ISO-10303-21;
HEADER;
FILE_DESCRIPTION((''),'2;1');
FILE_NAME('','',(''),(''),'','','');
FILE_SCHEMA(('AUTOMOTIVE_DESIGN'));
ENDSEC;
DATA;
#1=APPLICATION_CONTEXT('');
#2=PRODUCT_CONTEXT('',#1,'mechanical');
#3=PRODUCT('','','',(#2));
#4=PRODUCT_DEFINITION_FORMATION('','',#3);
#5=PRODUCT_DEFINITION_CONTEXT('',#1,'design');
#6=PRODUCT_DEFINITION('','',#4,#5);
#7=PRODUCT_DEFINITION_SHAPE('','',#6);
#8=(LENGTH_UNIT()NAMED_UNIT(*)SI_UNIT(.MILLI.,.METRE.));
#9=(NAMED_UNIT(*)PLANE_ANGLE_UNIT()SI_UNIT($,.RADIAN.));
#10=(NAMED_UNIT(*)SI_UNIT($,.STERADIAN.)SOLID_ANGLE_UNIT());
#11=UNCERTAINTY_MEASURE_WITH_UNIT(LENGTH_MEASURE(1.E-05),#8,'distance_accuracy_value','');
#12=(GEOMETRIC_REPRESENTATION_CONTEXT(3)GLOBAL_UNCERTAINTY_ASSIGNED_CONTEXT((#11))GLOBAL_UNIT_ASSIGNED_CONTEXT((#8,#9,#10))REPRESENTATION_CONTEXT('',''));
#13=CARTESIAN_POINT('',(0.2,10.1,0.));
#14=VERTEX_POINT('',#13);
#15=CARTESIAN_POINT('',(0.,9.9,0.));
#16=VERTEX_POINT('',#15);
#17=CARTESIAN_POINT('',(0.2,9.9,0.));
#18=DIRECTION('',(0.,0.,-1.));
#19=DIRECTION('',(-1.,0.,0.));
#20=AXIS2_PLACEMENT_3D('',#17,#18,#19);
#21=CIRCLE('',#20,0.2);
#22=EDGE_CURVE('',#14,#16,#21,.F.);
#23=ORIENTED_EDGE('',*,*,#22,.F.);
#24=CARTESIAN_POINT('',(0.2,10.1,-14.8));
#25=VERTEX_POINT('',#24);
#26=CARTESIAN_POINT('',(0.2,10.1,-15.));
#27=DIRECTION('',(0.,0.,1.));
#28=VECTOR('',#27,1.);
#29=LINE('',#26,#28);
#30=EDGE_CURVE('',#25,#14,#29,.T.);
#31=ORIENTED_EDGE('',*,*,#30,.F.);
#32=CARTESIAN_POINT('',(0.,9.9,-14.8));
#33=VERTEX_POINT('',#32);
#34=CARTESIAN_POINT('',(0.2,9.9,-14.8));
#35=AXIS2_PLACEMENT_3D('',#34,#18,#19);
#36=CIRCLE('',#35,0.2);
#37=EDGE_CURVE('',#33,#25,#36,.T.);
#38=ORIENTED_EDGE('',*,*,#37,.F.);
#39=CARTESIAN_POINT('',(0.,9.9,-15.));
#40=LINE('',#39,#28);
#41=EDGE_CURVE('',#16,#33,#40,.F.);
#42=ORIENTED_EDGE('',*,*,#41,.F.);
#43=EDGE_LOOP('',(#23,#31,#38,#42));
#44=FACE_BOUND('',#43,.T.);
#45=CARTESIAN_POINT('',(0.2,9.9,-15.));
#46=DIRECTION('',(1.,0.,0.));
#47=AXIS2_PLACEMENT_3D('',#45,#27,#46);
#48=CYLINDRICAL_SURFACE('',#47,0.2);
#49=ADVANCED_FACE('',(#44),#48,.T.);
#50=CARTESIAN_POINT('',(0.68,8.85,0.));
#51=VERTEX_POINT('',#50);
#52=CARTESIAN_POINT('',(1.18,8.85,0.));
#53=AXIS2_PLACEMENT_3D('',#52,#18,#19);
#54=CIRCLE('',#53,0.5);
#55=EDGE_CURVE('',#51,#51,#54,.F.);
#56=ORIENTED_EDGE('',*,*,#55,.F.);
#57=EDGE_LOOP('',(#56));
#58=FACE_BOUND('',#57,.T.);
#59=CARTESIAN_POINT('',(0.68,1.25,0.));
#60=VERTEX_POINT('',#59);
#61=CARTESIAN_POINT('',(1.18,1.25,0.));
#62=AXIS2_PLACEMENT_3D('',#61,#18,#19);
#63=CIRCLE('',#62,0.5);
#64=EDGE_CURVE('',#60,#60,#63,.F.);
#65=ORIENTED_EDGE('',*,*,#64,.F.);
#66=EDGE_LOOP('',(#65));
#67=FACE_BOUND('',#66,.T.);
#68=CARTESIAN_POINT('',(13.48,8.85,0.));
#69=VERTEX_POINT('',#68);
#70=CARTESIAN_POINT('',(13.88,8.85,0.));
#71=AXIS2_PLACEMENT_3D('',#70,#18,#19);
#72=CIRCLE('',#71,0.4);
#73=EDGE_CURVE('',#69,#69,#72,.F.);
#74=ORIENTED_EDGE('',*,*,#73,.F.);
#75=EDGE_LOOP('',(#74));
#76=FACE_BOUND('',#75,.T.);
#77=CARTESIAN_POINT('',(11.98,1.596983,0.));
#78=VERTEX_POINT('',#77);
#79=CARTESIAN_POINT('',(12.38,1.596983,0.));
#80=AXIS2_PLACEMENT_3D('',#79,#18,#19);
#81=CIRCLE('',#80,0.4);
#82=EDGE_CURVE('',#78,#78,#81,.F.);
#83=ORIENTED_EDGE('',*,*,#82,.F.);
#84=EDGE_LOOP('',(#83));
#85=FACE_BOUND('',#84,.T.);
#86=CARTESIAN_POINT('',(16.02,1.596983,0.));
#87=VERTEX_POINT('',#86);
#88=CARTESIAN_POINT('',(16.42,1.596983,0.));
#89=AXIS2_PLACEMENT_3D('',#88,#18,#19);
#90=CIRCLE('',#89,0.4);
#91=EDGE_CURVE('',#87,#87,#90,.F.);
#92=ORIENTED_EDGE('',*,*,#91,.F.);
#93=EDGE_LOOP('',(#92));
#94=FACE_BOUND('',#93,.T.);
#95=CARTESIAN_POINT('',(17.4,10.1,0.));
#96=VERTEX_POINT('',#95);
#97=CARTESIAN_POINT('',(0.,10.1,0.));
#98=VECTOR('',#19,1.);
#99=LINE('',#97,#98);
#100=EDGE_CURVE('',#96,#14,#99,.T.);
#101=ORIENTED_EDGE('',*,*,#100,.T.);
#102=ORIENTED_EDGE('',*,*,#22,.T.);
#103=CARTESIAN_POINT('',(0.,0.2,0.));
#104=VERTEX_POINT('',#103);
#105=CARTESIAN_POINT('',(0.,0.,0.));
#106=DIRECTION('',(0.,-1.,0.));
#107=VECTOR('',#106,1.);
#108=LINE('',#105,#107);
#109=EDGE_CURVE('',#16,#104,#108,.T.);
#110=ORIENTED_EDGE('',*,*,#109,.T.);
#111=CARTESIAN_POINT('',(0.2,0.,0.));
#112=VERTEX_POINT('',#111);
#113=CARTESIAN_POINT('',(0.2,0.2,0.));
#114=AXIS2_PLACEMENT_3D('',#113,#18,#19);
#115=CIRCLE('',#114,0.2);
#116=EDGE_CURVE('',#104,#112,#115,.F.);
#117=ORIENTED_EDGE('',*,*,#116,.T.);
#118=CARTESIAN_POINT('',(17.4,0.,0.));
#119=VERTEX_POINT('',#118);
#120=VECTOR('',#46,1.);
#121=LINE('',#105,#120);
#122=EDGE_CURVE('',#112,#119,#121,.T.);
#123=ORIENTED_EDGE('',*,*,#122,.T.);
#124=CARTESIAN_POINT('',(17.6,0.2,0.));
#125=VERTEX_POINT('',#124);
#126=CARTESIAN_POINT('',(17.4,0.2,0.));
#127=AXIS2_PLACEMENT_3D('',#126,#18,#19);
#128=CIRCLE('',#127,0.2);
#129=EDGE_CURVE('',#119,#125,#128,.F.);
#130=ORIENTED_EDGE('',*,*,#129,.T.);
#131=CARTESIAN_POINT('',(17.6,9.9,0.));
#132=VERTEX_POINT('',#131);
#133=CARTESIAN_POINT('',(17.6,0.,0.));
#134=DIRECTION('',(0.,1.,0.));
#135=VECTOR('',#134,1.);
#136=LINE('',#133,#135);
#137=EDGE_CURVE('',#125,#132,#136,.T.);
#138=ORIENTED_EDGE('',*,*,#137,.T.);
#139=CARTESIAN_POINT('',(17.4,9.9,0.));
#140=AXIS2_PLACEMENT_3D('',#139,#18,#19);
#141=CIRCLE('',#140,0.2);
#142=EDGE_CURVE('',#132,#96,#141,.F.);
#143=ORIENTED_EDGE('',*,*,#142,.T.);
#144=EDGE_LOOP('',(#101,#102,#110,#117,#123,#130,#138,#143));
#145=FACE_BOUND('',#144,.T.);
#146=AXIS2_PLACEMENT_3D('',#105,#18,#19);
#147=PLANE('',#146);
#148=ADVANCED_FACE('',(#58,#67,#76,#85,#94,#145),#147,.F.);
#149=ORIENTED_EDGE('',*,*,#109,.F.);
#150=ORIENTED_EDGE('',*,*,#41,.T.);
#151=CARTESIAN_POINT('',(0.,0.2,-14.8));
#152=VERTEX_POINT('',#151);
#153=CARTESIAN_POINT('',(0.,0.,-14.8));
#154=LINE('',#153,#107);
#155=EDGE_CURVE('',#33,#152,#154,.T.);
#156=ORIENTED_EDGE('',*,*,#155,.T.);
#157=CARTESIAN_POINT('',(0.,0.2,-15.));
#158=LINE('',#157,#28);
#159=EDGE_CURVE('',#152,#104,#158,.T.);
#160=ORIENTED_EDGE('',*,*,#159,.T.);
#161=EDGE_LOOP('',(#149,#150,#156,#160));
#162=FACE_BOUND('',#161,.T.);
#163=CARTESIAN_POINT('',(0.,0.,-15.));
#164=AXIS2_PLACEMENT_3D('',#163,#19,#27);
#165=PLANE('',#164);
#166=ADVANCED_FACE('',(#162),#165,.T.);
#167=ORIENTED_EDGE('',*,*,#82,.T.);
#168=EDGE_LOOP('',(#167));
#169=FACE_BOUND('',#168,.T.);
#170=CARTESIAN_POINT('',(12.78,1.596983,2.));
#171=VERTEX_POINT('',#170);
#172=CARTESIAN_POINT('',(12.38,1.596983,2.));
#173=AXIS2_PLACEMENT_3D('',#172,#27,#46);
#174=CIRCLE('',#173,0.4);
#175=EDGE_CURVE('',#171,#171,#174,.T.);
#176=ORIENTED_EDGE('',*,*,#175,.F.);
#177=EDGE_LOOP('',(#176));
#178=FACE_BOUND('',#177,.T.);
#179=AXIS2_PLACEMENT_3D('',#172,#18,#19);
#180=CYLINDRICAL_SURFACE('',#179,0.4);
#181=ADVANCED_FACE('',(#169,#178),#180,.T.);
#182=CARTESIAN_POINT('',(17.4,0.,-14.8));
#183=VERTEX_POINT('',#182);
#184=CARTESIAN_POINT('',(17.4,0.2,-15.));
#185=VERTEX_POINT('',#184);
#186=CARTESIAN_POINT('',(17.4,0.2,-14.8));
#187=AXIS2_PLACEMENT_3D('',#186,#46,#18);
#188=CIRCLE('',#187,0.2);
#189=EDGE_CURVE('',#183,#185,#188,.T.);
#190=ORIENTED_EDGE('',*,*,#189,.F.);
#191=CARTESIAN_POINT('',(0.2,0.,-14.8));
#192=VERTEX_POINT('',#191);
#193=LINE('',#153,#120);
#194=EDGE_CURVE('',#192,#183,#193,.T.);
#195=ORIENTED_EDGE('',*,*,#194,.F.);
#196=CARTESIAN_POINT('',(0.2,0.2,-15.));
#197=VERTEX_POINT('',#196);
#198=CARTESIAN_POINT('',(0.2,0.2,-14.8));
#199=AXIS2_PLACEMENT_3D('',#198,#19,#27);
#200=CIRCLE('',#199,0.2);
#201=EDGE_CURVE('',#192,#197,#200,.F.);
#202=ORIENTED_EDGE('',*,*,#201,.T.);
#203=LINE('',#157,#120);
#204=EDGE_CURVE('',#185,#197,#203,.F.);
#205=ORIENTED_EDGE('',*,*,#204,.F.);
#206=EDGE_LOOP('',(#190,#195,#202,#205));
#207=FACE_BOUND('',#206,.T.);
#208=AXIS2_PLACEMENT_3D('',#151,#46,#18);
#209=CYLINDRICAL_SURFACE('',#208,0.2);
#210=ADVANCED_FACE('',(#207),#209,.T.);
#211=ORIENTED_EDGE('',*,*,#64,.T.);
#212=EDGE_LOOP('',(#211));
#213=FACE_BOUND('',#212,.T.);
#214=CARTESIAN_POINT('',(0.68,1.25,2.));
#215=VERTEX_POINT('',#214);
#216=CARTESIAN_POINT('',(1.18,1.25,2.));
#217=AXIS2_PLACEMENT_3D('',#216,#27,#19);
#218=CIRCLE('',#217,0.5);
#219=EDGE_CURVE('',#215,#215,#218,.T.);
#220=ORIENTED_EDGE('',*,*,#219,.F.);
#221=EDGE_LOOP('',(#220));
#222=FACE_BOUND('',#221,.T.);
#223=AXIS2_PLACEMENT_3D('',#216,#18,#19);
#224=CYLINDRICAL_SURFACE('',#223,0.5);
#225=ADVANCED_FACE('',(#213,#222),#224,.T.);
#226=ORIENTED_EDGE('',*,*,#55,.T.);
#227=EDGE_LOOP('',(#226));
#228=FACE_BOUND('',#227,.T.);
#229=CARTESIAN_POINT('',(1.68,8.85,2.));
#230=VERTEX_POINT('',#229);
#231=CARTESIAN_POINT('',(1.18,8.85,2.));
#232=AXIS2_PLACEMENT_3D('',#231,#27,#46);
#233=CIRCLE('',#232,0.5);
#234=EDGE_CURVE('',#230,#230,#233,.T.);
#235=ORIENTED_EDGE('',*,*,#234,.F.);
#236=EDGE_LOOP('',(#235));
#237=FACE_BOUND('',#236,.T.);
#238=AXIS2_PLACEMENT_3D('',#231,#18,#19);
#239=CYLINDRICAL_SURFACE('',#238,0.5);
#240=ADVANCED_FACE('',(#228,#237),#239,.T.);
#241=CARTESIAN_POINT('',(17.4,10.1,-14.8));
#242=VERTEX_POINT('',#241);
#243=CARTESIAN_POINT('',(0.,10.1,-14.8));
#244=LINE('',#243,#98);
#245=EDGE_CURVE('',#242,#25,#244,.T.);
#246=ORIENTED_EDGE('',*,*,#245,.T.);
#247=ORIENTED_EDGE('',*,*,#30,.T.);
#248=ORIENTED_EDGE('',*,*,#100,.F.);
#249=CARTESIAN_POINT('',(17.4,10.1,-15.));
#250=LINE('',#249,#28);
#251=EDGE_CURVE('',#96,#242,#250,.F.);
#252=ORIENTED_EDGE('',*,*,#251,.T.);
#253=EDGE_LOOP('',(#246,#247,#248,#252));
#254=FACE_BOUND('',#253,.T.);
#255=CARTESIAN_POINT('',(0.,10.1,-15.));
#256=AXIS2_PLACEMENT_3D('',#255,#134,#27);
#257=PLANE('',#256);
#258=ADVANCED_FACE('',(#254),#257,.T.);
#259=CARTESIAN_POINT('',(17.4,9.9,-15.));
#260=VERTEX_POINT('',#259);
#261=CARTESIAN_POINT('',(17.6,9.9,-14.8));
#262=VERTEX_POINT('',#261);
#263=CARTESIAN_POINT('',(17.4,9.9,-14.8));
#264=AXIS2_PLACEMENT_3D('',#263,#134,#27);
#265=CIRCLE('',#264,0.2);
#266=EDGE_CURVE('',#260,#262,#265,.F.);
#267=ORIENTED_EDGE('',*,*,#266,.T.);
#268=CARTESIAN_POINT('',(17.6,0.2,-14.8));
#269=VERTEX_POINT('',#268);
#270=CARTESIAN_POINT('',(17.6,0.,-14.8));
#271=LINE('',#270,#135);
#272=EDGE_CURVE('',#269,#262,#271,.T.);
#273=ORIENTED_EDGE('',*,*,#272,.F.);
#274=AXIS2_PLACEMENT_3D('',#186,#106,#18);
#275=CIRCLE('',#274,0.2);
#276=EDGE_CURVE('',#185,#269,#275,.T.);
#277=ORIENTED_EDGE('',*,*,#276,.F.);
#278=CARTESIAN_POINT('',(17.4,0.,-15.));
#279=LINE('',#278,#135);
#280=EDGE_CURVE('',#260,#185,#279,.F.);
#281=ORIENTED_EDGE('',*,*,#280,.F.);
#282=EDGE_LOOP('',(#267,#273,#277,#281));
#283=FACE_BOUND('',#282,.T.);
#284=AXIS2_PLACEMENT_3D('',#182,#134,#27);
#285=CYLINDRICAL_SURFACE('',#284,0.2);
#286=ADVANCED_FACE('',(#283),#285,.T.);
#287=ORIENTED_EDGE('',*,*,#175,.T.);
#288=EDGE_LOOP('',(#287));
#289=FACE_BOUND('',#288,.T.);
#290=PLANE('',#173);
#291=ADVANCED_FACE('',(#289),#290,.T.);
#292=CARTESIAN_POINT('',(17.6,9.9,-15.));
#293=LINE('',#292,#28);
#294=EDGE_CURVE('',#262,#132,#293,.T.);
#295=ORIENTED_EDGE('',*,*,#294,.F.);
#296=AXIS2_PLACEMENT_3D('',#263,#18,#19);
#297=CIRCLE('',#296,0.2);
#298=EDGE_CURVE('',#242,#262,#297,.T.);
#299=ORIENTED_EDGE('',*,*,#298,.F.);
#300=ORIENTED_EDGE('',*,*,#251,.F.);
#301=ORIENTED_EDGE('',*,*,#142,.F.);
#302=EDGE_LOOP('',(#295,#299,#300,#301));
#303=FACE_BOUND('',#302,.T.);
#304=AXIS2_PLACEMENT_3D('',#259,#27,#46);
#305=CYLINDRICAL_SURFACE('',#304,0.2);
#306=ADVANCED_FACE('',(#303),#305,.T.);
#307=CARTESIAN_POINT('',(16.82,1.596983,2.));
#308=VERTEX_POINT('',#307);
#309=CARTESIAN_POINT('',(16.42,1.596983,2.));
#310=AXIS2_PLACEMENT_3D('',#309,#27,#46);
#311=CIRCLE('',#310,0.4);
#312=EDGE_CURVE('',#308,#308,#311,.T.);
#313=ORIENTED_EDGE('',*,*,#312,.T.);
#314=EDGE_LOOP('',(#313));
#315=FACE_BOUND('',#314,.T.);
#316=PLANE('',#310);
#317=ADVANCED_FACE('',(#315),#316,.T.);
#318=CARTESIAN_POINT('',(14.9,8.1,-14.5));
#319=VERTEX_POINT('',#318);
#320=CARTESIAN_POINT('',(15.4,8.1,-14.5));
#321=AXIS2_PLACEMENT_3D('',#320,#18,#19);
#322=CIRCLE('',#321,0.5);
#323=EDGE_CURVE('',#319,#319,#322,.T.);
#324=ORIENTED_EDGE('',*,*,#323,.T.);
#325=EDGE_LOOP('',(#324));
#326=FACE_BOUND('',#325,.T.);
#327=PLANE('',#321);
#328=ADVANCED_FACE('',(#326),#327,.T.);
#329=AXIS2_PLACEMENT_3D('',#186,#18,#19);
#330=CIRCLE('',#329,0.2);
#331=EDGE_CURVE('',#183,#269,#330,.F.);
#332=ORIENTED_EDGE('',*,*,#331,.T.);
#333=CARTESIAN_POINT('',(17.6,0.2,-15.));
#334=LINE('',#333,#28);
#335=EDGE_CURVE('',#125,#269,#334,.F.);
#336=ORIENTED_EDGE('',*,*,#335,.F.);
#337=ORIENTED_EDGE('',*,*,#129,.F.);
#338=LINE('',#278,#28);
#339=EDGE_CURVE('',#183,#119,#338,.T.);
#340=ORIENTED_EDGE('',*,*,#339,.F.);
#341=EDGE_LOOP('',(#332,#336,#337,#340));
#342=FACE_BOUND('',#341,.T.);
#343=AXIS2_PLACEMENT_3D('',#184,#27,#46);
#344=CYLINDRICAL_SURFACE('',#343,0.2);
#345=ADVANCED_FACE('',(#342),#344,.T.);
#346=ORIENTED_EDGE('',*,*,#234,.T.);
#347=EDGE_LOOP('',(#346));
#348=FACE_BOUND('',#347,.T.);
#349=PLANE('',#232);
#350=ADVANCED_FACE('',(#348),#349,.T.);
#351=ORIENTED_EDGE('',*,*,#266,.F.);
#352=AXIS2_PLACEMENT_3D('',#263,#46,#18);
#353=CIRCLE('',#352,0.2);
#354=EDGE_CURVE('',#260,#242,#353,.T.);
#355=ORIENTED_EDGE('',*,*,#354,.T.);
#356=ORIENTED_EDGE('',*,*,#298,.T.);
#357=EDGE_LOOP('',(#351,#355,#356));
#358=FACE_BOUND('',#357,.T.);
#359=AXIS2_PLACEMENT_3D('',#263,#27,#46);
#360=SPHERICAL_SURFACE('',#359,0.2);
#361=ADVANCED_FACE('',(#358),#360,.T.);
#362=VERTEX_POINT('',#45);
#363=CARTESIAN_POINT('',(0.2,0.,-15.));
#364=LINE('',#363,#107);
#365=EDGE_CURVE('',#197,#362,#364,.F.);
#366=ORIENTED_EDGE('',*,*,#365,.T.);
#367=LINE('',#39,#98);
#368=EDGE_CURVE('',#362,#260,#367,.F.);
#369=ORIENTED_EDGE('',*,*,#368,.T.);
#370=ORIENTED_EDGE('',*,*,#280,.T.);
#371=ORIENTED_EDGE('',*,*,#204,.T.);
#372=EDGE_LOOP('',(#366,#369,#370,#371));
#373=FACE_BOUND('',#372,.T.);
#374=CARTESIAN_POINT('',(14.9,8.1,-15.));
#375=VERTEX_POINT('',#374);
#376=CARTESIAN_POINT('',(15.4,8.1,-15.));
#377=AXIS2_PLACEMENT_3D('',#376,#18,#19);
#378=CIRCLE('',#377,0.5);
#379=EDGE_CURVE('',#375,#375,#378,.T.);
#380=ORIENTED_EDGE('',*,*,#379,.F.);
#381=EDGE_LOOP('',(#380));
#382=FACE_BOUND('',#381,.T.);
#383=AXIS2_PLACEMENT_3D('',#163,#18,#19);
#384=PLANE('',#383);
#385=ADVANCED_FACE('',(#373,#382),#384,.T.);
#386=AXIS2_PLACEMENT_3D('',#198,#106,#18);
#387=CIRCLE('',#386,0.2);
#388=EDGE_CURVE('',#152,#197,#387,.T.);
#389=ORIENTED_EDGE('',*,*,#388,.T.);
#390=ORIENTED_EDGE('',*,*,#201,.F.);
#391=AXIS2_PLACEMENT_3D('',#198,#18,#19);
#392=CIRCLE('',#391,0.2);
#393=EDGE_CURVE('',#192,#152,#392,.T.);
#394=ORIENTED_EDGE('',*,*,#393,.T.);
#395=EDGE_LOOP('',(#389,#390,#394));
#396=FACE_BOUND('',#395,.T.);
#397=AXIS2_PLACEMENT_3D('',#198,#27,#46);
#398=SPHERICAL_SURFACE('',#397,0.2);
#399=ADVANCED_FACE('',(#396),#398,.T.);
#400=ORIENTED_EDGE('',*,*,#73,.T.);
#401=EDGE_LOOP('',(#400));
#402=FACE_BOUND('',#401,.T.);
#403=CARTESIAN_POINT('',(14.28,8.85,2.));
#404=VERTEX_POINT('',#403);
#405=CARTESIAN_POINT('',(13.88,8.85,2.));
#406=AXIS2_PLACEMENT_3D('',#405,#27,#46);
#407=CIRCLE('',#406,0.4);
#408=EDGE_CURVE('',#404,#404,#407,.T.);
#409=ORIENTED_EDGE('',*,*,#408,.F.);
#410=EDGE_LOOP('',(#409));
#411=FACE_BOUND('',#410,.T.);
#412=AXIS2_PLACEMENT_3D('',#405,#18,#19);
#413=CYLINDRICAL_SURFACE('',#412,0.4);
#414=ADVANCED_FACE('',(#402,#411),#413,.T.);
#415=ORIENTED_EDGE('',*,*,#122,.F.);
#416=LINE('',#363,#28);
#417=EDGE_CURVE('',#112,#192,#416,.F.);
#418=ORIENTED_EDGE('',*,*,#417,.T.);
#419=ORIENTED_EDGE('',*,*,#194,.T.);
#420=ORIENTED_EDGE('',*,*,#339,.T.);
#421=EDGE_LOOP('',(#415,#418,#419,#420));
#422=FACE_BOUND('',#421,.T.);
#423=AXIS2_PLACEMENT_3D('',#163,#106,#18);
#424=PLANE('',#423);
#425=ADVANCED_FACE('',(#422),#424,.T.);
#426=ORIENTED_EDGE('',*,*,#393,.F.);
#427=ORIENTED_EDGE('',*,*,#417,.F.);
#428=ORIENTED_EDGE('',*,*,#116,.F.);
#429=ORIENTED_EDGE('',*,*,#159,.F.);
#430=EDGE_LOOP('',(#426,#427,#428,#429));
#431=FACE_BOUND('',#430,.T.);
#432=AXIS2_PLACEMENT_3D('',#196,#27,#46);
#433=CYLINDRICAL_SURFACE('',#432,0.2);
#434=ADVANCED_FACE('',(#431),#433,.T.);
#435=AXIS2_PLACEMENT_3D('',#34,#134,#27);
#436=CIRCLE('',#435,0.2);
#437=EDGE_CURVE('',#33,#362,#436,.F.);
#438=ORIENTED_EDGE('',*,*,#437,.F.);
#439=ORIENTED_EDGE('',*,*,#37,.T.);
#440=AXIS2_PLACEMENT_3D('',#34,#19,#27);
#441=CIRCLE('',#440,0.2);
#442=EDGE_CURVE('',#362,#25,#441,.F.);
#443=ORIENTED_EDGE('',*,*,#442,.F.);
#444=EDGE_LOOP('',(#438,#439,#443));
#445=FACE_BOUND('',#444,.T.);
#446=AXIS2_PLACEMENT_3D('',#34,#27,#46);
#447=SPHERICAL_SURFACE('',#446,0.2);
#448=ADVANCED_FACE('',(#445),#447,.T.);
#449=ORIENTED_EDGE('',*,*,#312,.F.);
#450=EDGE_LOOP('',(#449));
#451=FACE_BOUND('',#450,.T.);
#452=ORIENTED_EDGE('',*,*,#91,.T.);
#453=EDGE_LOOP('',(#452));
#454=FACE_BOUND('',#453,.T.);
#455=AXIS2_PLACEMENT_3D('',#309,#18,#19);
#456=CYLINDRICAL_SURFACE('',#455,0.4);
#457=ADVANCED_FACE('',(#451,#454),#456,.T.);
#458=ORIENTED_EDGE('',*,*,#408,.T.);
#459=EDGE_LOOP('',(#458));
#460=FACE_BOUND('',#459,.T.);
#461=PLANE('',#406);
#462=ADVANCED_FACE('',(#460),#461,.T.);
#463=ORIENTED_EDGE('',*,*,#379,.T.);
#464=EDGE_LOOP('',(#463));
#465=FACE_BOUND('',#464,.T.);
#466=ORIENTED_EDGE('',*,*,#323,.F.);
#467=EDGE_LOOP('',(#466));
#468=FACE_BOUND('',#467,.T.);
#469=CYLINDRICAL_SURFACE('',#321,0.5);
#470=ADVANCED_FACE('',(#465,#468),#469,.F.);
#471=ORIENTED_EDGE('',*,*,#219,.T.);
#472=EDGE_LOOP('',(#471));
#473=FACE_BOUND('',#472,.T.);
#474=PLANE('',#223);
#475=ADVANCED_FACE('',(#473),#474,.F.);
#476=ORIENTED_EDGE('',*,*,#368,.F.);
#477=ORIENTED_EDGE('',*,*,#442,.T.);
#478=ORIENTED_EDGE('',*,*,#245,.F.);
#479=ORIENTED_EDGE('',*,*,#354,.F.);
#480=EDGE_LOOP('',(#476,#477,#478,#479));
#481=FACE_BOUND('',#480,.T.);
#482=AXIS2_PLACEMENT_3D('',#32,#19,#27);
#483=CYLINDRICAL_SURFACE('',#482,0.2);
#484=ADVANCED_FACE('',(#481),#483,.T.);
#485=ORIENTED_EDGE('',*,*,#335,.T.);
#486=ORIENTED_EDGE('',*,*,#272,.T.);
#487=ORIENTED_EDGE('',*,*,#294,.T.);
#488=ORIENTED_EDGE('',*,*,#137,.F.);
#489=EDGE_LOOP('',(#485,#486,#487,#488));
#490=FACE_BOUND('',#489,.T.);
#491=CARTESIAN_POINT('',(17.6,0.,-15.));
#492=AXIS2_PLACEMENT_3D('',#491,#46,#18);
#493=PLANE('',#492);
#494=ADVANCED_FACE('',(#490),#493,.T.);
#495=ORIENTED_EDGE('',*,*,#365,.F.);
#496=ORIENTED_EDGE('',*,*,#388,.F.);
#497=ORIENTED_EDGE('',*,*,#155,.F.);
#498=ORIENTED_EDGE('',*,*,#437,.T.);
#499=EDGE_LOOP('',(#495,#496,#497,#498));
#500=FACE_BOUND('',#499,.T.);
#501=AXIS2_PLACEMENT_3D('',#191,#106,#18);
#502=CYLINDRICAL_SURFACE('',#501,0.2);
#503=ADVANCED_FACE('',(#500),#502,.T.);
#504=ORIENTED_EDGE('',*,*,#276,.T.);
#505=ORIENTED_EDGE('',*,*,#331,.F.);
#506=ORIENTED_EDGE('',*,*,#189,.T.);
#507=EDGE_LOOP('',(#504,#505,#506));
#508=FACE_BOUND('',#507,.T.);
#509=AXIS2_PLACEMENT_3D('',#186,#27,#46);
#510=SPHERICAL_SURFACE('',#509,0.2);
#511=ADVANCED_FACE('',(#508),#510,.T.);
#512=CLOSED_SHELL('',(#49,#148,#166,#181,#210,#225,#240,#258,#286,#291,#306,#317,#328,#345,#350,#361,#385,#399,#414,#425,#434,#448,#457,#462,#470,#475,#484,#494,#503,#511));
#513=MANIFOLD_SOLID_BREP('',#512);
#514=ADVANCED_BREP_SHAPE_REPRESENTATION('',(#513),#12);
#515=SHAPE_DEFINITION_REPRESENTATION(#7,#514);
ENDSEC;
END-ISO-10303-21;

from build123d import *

# Parameters (mm, degrees)
SKETCH_1_W          = 17.6
SKETCH_1_H          = 10.1
EXTRUDE_1_DEPTH     = 15
SKETCH_2_R          = 0.5
SKETCH_2_R_2        = 0.4
EXTRUDE_2_DEPTH     = 2
FILLET_1_R          = 0.2
SKETCH_3_R          = 0.5
CUT_EXTRUDE_1_DEPTH = 0.5


with BuildPart() as part:
    # 草图1 → 凸台-拉伸1 (new body)
    with BuildSketch(Plane.XY):
        with Locations((8.8, 5.05)):
            Rectangle(SKETCH_1_W, SKETCH_1_H)
    extrude(amount=-EXTRUDE_1_DEPTH)

    # 草图2 → 凸台-拉伸2 (add)
    with BuildSketch(Plane.XY):
        with Locations(Location((1.18, 8.85, 0), (0, 0, 180))):
            Circle(SKETCH_2_R)
        with Locations(Location((13.88, 8.85, 0), (0, 0, 180))):
            Circle(SKETCH_2_R_2)
        with Locations(Location((12.38, 1.596982533, 0), (0, 0, 180))):
            Circle(SKETCH_2_R_2)
        with Locations(Location((16.42, 1.596982533, 0), (0, 0, 180))):
            Circle(SKETCH_2_R_2)
        with Locations(Location((1.18, 1.25, 0), (0, 0, 180))):
            Circle(SKETCH_2_R)
    extrude(amount=EXTRUDE_2_DEPTH)

    # 圆角1
    fillet_1_edges = [part.edges().sort_by_distance(p)[0] for p in [
        (17.6, 5.05, -15),
        (8.8, 10.1, -15),
        (0, 5.05, -15),
        (8.8, 0, -15),
        (0, 10.1, -7.5),
        (17.6, 10.1, -7.5),
        (17.6, 0, -7.5),
        (0, 0, -7.5),
    ]]
    fillet(fillet_1_edges, radius=FILLET_1_R)

    # 草图3 → 切除-拉伸1 (cut)
    with BuildSketch(Plane(origin=(0, 0, -15), x_dir=(-1, 0, 0), z_dir=(0, 0, -1))):
        with Locations((-15.4, 8.1)):
            Circle(SKETCH_3_R)
    extrude(amount=-CUT_EXTRUDE_1_DEPTH, mode=Mode.SUBTRACT)


solid = part.part
